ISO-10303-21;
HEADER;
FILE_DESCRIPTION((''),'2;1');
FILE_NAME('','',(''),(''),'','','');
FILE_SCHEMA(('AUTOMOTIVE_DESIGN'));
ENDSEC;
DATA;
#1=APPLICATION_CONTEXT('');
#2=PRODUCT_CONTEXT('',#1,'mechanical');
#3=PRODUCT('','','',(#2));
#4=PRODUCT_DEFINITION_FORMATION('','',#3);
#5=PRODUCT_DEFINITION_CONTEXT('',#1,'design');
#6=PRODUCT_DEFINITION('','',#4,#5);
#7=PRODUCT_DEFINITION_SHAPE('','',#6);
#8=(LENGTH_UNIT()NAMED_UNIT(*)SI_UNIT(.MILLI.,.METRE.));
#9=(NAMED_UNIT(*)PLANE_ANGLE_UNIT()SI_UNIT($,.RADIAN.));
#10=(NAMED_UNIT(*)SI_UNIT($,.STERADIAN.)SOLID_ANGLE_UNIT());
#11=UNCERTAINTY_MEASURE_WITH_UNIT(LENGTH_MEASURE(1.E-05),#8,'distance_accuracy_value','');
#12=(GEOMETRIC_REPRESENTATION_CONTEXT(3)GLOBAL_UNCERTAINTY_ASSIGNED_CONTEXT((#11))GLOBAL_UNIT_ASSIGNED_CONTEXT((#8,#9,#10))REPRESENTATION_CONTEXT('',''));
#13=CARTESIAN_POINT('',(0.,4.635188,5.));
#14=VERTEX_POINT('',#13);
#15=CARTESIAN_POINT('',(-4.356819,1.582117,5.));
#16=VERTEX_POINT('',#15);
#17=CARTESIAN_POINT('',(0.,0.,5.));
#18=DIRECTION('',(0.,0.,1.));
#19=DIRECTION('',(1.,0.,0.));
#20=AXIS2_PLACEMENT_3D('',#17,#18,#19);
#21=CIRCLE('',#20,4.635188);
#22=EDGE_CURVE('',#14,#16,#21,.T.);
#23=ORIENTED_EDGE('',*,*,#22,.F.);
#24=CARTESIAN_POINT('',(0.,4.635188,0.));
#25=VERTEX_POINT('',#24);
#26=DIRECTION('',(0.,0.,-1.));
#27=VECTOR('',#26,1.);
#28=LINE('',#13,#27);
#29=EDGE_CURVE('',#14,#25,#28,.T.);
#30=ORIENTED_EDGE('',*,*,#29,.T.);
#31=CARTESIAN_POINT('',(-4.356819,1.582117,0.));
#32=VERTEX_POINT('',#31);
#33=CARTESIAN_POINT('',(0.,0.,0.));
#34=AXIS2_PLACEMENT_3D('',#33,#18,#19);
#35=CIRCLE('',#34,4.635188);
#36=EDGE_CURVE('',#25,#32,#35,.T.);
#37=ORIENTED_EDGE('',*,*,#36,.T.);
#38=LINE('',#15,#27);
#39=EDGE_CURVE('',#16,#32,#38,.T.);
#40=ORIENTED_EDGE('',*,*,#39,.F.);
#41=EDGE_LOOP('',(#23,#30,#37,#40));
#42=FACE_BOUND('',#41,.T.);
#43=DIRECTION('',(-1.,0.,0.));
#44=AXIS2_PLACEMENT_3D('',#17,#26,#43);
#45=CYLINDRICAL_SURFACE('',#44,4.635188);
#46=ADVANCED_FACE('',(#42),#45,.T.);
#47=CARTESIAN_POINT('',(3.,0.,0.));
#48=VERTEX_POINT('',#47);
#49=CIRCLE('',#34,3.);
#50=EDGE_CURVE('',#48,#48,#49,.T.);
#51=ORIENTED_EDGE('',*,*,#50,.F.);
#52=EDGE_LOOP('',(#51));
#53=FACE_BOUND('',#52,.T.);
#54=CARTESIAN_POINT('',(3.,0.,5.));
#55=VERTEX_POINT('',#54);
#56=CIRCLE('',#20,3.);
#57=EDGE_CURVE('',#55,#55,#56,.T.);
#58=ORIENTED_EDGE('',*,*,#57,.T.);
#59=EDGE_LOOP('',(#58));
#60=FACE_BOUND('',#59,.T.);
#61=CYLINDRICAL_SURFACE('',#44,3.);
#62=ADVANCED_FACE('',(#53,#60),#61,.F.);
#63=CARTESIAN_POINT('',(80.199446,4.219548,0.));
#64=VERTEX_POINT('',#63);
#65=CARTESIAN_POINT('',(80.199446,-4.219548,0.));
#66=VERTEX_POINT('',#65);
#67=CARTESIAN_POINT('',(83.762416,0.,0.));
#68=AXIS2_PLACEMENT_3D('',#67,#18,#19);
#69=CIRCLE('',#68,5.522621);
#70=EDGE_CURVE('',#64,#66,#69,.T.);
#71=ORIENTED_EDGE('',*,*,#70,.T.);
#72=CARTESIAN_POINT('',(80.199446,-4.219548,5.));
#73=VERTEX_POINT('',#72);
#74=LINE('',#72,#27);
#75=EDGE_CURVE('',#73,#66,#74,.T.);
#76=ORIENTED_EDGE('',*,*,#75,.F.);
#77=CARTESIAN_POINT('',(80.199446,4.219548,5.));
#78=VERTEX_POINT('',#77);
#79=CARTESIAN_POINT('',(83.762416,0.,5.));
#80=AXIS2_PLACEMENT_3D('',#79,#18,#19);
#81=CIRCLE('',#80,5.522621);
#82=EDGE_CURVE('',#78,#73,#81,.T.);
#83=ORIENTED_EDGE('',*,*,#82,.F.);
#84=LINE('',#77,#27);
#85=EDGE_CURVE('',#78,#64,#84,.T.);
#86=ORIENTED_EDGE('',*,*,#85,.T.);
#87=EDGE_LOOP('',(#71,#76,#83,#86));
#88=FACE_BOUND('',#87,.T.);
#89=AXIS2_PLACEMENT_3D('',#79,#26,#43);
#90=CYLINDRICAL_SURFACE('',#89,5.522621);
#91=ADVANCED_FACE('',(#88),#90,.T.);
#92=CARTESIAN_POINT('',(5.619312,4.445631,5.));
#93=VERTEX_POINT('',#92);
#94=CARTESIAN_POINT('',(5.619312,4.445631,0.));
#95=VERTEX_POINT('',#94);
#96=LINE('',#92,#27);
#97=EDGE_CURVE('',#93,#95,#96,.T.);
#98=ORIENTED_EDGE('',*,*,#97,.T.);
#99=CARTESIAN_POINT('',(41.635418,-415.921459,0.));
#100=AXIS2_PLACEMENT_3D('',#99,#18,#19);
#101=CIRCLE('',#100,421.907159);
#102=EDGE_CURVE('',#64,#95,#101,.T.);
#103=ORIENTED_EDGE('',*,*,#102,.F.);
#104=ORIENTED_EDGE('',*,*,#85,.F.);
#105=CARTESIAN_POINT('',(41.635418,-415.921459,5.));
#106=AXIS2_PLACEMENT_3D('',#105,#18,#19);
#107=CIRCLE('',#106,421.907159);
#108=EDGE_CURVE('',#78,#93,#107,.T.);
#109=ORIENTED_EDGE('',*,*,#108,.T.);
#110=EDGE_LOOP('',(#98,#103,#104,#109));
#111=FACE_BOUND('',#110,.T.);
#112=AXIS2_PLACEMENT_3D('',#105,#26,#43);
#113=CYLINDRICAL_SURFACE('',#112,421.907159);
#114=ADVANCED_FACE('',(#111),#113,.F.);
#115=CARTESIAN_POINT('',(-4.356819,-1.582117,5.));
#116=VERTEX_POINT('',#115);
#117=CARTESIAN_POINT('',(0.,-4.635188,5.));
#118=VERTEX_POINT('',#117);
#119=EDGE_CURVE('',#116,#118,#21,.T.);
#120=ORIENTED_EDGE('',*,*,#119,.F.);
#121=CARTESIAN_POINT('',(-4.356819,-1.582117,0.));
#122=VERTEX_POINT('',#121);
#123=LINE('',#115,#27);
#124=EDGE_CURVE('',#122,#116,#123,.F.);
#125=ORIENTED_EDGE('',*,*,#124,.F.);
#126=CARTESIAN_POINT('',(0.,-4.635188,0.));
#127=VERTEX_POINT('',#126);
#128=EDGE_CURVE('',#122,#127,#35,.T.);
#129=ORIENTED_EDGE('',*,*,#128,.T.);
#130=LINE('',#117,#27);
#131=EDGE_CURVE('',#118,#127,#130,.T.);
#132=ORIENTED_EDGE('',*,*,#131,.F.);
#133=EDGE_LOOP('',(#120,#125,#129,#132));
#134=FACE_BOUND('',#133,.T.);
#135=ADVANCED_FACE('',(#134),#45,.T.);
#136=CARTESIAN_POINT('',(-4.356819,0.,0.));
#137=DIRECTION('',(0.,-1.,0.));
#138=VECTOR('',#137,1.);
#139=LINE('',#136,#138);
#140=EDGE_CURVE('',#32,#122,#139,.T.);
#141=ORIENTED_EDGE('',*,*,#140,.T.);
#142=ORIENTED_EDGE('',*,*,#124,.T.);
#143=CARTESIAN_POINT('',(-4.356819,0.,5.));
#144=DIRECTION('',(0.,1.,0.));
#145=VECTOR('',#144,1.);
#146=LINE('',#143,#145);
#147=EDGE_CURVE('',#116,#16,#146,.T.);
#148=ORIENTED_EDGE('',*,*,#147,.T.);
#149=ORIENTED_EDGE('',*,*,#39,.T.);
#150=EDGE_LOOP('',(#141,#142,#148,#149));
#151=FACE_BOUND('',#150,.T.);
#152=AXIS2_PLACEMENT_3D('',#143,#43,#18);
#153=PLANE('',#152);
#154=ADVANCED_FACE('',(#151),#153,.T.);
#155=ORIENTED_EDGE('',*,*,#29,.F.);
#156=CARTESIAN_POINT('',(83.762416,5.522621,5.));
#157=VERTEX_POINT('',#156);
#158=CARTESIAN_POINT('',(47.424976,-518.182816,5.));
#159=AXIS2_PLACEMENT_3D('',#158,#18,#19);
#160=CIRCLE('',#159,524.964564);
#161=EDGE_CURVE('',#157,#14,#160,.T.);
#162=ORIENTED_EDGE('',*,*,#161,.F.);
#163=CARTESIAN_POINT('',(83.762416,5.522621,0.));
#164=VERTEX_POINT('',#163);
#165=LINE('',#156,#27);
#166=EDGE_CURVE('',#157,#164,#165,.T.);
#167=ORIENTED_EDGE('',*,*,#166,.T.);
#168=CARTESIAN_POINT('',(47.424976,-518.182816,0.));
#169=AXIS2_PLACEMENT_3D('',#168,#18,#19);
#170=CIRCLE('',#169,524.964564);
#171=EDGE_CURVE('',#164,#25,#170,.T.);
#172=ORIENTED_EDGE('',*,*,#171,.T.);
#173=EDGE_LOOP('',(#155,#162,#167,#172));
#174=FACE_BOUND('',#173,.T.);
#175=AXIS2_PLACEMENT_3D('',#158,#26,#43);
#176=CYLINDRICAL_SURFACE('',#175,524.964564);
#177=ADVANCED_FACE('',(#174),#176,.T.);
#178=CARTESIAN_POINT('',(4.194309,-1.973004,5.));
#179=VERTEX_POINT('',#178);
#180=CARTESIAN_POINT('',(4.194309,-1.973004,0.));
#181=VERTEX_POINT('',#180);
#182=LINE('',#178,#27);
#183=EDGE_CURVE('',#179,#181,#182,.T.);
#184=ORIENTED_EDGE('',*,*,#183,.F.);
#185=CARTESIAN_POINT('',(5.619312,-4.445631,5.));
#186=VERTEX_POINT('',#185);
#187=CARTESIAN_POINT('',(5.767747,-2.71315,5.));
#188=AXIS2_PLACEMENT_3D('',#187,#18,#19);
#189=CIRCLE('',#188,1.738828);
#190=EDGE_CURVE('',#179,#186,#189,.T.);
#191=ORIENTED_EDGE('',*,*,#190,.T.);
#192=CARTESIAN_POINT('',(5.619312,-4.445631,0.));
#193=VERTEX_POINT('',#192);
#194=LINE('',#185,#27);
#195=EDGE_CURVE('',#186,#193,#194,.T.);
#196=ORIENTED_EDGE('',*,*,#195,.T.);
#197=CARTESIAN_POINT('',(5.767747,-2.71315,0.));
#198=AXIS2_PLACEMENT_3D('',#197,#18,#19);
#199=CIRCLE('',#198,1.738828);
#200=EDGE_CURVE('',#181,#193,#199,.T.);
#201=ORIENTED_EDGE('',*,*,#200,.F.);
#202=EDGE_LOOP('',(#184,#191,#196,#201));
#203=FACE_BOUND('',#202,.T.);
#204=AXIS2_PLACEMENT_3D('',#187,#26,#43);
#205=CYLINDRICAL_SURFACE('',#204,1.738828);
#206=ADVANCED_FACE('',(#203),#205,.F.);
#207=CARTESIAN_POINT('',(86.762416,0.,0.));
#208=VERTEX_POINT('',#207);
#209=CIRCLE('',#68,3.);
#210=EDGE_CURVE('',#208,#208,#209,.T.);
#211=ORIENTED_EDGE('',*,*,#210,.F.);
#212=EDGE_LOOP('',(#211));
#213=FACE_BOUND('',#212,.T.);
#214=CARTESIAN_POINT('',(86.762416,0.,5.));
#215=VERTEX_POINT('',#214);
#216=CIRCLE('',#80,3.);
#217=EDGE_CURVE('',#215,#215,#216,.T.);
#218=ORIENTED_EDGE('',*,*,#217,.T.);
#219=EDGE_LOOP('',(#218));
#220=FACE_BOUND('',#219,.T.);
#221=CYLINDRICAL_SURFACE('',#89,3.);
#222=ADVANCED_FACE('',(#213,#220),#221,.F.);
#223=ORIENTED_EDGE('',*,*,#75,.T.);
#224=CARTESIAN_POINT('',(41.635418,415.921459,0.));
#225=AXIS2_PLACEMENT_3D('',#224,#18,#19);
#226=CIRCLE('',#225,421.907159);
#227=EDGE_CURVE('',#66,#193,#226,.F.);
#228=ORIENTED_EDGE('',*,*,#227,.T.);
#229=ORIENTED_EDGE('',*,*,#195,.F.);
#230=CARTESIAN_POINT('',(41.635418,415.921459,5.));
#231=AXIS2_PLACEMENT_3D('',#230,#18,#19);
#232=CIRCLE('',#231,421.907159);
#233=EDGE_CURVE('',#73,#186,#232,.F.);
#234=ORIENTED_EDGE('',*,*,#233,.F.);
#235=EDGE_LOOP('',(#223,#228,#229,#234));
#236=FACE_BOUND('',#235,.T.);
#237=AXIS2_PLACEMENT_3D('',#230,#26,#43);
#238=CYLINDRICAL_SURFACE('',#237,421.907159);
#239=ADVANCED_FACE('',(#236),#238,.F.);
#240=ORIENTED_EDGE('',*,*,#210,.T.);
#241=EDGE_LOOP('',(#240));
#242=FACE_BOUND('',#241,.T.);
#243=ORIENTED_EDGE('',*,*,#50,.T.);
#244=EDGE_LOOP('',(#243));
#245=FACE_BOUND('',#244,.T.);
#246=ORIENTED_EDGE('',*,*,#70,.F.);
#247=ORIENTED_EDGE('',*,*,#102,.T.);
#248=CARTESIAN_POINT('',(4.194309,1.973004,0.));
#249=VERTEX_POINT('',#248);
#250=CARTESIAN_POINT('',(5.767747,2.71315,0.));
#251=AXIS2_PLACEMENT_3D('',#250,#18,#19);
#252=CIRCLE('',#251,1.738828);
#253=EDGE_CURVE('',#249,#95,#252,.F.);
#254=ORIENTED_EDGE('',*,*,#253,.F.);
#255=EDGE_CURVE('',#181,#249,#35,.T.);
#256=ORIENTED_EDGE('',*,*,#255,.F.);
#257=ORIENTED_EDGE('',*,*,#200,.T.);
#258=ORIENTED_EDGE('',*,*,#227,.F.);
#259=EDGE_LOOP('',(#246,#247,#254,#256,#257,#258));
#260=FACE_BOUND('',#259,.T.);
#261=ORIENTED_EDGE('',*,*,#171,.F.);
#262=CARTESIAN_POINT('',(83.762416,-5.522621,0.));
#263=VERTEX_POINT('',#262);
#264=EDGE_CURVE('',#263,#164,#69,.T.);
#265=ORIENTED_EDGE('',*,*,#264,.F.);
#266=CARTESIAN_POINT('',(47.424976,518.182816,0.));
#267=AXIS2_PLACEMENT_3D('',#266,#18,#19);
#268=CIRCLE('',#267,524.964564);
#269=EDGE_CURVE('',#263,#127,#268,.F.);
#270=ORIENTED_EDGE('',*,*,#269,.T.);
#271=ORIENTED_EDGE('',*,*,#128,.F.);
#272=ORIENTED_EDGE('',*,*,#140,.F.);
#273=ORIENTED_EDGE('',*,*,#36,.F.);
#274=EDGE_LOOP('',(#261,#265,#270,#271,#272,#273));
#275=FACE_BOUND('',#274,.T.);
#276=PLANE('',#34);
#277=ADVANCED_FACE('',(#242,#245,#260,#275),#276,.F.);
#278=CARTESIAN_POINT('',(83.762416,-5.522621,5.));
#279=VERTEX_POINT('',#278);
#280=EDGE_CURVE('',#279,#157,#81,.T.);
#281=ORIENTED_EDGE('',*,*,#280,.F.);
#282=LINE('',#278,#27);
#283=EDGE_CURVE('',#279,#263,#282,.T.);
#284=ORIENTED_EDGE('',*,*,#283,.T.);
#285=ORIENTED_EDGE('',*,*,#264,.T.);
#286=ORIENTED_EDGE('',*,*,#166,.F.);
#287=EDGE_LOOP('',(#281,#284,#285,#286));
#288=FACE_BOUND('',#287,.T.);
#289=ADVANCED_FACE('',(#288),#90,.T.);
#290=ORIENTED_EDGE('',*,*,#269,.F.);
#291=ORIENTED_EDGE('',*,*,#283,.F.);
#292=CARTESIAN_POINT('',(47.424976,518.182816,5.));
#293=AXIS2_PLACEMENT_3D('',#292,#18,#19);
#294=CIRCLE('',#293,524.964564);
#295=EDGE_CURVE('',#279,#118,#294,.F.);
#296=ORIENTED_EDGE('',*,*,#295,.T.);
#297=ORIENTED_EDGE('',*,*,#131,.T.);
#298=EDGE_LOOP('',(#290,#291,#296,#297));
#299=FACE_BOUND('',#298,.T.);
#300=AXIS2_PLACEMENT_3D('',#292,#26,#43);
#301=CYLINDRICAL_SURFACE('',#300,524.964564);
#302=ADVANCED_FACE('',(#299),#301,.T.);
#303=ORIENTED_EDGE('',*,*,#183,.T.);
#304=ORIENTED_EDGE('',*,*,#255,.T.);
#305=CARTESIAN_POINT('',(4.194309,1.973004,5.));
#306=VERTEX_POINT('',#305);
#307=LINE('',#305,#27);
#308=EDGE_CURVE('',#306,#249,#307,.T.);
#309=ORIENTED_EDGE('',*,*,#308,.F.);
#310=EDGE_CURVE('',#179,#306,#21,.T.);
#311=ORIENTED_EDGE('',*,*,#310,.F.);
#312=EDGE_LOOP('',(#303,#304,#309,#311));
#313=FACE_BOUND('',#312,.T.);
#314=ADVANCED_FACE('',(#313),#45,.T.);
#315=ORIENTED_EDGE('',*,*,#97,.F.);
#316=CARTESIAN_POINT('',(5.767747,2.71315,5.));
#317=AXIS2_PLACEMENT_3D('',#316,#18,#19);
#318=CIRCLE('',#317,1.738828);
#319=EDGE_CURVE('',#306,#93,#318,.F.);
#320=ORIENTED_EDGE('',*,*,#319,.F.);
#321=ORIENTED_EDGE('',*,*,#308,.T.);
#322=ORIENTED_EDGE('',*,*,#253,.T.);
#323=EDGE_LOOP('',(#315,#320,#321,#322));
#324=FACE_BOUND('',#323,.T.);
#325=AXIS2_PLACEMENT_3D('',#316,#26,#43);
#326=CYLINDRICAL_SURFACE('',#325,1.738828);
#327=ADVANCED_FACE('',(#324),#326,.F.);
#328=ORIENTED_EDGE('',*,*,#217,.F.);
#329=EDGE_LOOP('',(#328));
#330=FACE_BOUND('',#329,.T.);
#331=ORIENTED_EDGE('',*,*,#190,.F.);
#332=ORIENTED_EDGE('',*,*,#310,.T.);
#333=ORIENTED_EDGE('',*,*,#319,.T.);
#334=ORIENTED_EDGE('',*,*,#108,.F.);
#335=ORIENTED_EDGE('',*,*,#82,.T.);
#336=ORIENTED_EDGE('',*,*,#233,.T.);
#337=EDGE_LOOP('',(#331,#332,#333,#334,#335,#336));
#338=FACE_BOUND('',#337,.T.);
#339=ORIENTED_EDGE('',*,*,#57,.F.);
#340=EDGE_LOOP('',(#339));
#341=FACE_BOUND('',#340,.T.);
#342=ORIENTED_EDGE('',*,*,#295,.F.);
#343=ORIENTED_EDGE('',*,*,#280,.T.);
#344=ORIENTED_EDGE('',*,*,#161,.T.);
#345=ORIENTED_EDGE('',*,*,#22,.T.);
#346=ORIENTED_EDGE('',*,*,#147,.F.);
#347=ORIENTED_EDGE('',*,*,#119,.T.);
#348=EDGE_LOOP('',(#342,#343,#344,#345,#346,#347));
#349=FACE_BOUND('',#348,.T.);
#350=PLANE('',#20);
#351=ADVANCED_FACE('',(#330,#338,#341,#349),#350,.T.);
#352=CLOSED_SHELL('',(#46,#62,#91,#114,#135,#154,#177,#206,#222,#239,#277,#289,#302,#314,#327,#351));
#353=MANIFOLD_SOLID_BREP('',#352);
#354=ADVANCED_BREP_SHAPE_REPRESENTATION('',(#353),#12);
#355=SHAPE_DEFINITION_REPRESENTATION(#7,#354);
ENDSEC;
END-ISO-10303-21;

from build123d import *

# Parameters (mm, degrees)
SZKIC1_R                    = 3.000000079
DODANIE_WYCI_GNI_CIE1_DEPTH = 5
SZKIC2_W                    = 1.618528634
SZKIC2_H                    = 7.505645785
SZKIC2_W_2                  = 0.651830256
SZKIC2_H_2                  = 5.051684483
WYTNIJ_WYCI_GNI_CIE3_DEPTH  = 6


with BuildPart() as part:
    # Szkic1 → Dodanie-wyciągnięcie1 (new body)
    with BuildSketch(Plane.XY):
        with BuildLine():
            ThreePointArc((83.76241555, 5.522620658), (41.86347888, 6.752288216), (0, 4.635188213))
            ThreePointArc((0, 4.635188213), (-4.635188213, 0), (0, -4.635188213))
            ThreePointArc((0, -4.635188213), (41.86347888, -6.752288216), (83.76241555, -5.522620658))
            ThreePointArc((83.76241555, -5.522620658), (89.285036208, 0), (83.76241555, 5.522620658))
        make_face()
        with BuildLine():
            ThreePointArc((5.619311809, 4.445631254), (42.914384434, 5.983761034), (80.199446312, 4.219548453))
            ThreePointArc((80.199446312, 4.219548453), (78.239794892, 0), (80.199446312, -4.219548453))
            ThreePointArc((80.199446312, -4.219548453), (42.914384434, -5.983761034), (5.619311809, -4.445631254))
            ThreePointArc((5.619311809, -4.445631254), (4.261200111, -3.581390157), (4.194308577, -1.973004139))
            ThreePointArc((4.194308577, -1.973004139), (4.635188213, 0), (4.194308577, 1.973004139))
            ThreePointArc((4.194308577, 1.973004139), (4.261200111, 3.581390157), (5.619311809, 4.445631254))
        make_face(mode=Mode.SUBTRACT)
        with Locations((83.76241555, 0)):
            Circle(SZKIC1_R, mode=Mode.SUBTRACT)
        Circle(SZKIC1_R, mode=Mode.SUBTRACT)
    extrude(amount=DODANIE_WYCI_GNI_CIE1_DEPTH)

    # Szkic2 → Wytnij-wyciągnięcie3 (cut, through all)
    with BuildSketch(Plane.XY):
        with Locations((193.638606269, 0.381285041)):
            Rectangle(SZKIC2_W, SZKIC2_H)
        with Locations((-4.682734605, -0.038745932)):
            Rectangle(SZKIC2_W_2, SZKIC2_H_2)
    extrude(amount=WYTNIJ_WYCI_GNI_CIE3_DEPTH, mode=Mode.SUBTRACT)


solid = part.part
